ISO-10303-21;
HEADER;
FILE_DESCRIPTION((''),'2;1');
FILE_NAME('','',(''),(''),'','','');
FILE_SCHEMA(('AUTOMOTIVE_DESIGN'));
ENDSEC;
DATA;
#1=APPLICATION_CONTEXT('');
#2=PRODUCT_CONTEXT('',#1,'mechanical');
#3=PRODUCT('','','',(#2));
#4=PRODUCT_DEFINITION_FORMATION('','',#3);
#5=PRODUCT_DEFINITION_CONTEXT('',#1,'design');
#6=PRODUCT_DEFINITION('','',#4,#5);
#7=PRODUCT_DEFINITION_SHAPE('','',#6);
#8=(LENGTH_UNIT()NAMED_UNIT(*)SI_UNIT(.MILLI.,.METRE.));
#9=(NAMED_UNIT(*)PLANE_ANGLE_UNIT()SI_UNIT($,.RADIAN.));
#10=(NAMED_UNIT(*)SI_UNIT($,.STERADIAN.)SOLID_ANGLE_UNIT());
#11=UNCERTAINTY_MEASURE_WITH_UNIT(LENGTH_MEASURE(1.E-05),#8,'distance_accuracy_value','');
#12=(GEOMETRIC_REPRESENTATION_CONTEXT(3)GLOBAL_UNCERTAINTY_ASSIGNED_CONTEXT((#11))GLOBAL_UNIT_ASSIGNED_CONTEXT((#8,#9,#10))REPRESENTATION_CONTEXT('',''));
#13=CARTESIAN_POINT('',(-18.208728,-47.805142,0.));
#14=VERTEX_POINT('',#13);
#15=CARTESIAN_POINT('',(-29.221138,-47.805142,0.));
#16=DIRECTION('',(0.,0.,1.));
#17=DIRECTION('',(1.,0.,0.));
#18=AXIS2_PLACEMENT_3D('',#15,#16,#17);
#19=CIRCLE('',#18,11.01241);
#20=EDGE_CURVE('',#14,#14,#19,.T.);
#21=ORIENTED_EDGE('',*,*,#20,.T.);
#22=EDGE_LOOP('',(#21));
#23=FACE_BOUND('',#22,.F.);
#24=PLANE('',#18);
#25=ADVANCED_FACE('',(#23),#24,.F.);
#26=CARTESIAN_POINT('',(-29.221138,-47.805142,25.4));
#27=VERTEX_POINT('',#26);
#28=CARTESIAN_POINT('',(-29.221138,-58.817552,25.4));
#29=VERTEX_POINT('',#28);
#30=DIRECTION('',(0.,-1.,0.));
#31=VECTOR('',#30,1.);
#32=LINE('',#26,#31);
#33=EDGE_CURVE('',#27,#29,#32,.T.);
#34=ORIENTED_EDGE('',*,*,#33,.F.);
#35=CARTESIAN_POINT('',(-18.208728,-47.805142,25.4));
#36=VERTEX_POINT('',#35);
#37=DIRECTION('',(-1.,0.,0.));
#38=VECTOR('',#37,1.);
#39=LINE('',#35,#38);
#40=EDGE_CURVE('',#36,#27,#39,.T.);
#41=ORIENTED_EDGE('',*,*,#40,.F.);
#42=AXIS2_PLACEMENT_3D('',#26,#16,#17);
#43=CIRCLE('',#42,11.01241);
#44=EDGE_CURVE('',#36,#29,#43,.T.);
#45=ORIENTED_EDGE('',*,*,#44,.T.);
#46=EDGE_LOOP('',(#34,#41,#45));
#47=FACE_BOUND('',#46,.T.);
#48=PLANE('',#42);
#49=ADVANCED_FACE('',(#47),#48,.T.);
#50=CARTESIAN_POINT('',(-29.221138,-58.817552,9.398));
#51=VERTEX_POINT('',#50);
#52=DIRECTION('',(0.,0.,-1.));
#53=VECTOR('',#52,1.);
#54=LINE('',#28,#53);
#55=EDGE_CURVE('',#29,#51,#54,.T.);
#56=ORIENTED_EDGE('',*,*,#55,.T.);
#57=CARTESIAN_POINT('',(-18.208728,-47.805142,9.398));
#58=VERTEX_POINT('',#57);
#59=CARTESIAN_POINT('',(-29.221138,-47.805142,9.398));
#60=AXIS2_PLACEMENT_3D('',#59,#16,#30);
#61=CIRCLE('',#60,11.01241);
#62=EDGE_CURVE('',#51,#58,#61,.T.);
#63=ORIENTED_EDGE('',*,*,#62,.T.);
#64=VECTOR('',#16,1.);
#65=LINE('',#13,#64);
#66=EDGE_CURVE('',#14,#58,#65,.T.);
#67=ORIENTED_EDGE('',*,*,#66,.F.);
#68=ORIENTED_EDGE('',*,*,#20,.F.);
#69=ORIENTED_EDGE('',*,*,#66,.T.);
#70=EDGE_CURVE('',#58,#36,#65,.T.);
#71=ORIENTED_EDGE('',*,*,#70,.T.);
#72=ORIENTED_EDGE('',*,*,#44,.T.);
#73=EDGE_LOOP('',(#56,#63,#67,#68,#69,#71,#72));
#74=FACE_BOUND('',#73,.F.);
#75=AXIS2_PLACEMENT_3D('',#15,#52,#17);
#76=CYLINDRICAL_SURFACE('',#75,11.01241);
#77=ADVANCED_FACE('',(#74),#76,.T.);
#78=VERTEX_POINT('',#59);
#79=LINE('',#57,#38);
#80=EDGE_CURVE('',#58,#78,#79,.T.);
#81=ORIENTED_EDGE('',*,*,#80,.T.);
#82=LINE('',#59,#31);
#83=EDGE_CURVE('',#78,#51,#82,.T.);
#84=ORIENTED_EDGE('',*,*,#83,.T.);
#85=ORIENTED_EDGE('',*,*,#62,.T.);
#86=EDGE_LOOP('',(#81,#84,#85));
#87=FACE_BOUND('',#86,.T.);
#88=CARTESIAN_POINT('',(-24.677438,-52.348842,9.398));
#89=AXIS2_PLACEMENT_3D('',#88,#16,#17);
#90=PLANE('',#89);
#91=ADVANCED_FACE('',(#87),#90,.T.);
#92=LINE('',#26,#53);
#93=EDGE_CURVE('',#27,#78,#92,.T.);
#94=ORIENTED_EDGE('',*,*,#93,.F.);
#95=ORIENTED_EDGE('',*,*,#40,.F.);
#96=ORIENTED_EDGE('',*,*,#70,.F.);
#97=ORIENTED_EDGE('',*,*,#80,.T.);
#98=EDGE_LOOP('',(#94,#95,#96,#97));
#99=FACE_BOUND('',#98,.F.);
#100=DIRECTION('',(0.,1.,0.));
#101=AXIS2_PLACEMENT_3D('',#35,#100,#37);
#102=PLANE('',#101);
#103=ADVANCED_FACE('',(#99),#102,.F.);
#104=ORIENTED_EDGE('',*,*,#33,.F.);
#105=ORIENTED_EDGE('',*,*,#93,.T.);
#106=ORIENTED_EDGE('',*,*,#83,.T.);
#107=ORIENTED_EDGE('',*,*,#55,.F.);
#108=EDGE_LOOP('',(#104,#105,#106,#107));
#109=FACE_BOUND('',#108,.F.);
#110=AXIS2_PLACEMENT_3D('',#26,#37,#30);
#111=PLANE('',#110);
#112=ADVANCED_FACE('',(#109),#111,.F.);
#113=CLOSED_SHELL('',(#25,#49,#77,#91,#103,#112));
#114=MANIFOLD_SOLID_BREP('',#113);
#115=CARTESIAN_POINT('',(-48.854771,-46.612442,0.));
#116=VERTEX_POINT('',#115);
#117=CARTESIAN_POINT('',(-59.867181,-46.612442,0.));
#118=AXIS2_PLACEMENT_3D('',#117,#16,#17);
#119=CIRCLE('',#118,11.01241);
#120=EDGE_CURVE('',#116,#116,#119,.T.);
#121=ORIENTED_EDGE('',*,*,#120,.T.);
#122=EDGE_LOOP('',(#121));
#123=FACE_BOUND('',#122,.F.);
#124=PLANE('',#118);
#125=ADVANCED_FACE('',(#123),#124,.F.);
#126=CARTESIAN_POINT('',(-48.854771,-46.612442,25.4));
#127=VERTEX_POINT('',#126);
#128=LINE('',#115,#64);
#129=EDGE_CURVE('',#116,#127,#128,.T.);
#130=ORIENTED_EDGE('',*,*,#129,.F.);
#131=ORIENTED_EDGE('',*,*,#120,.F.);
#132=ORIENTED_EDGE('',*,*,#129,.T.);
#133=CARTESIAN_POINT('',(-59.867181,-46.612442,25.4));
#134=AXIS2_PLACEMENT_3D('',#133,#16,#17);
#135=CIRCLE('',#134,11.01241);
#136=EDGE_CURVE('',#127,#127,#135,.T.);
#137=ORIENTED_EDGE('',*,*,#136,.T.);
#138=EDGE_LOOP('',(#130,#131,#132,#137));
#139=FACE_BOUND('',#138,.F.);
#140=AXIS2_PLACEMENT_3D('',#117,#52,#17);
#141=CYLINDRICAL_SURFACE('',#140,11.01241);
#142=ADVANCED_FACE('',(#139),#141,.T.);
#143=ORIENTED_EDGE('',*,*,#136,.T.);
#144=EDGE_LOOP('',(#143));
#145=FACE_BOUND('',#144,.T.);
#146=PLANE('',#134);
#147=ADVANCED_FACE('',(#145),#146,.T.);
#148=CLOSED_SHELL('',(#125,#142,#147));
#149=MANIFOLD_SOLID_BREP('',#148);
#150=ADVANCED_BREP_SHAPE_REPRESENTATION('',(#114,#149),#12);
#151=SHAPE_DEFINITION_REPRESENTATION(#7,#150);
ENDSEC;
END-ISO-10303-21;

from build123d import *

# Parameters (mm, degrees)
F0_R     = 11.0124100744
F1_DEPTH = 25.4
F3_DEPTH = 16.002


with BuildPart() as f1:
    # F0 (on Top) → F1 (new body)
    with BuildSketch(Plane.XY):
        with Locations((-59.8671808839, -46.6124415398)):
            Circle(F0_R)
    extrude(amount=F1_DEPTH)


with BuildPart() as f1b:
    # F0 (on Top) → F1, piece 2 (new body)
    with BuildSketch(Plane.XY):
        with Locations((-29.2211379856, -47.8051416576)):
            Circle(F0_R)
    extrude(amount=F1_DEPTH)

    # F2 (on face) → F3 (cut)
    with BuildSketch(Plane.XY.offset(25.4)):
        with BuildLine():
            Line((-18.2087279112, -47.8051416576), (-29.2211379856, -47.8051416576))
            Line((-29.2211379856, -47.8051416576), (-29.2211379856, -58.817551732))
            ThreePointArc((-29.2211379856, -58.817551732), (-21.4341881448, -55.5920914984), (-18.2087279112, -47.8051416576))
        make_face()
    extrude(amount=-F3_DEPTH, mode=Mode.SUBTRACT)


solid = Compound([f1.part, f1b.part])
